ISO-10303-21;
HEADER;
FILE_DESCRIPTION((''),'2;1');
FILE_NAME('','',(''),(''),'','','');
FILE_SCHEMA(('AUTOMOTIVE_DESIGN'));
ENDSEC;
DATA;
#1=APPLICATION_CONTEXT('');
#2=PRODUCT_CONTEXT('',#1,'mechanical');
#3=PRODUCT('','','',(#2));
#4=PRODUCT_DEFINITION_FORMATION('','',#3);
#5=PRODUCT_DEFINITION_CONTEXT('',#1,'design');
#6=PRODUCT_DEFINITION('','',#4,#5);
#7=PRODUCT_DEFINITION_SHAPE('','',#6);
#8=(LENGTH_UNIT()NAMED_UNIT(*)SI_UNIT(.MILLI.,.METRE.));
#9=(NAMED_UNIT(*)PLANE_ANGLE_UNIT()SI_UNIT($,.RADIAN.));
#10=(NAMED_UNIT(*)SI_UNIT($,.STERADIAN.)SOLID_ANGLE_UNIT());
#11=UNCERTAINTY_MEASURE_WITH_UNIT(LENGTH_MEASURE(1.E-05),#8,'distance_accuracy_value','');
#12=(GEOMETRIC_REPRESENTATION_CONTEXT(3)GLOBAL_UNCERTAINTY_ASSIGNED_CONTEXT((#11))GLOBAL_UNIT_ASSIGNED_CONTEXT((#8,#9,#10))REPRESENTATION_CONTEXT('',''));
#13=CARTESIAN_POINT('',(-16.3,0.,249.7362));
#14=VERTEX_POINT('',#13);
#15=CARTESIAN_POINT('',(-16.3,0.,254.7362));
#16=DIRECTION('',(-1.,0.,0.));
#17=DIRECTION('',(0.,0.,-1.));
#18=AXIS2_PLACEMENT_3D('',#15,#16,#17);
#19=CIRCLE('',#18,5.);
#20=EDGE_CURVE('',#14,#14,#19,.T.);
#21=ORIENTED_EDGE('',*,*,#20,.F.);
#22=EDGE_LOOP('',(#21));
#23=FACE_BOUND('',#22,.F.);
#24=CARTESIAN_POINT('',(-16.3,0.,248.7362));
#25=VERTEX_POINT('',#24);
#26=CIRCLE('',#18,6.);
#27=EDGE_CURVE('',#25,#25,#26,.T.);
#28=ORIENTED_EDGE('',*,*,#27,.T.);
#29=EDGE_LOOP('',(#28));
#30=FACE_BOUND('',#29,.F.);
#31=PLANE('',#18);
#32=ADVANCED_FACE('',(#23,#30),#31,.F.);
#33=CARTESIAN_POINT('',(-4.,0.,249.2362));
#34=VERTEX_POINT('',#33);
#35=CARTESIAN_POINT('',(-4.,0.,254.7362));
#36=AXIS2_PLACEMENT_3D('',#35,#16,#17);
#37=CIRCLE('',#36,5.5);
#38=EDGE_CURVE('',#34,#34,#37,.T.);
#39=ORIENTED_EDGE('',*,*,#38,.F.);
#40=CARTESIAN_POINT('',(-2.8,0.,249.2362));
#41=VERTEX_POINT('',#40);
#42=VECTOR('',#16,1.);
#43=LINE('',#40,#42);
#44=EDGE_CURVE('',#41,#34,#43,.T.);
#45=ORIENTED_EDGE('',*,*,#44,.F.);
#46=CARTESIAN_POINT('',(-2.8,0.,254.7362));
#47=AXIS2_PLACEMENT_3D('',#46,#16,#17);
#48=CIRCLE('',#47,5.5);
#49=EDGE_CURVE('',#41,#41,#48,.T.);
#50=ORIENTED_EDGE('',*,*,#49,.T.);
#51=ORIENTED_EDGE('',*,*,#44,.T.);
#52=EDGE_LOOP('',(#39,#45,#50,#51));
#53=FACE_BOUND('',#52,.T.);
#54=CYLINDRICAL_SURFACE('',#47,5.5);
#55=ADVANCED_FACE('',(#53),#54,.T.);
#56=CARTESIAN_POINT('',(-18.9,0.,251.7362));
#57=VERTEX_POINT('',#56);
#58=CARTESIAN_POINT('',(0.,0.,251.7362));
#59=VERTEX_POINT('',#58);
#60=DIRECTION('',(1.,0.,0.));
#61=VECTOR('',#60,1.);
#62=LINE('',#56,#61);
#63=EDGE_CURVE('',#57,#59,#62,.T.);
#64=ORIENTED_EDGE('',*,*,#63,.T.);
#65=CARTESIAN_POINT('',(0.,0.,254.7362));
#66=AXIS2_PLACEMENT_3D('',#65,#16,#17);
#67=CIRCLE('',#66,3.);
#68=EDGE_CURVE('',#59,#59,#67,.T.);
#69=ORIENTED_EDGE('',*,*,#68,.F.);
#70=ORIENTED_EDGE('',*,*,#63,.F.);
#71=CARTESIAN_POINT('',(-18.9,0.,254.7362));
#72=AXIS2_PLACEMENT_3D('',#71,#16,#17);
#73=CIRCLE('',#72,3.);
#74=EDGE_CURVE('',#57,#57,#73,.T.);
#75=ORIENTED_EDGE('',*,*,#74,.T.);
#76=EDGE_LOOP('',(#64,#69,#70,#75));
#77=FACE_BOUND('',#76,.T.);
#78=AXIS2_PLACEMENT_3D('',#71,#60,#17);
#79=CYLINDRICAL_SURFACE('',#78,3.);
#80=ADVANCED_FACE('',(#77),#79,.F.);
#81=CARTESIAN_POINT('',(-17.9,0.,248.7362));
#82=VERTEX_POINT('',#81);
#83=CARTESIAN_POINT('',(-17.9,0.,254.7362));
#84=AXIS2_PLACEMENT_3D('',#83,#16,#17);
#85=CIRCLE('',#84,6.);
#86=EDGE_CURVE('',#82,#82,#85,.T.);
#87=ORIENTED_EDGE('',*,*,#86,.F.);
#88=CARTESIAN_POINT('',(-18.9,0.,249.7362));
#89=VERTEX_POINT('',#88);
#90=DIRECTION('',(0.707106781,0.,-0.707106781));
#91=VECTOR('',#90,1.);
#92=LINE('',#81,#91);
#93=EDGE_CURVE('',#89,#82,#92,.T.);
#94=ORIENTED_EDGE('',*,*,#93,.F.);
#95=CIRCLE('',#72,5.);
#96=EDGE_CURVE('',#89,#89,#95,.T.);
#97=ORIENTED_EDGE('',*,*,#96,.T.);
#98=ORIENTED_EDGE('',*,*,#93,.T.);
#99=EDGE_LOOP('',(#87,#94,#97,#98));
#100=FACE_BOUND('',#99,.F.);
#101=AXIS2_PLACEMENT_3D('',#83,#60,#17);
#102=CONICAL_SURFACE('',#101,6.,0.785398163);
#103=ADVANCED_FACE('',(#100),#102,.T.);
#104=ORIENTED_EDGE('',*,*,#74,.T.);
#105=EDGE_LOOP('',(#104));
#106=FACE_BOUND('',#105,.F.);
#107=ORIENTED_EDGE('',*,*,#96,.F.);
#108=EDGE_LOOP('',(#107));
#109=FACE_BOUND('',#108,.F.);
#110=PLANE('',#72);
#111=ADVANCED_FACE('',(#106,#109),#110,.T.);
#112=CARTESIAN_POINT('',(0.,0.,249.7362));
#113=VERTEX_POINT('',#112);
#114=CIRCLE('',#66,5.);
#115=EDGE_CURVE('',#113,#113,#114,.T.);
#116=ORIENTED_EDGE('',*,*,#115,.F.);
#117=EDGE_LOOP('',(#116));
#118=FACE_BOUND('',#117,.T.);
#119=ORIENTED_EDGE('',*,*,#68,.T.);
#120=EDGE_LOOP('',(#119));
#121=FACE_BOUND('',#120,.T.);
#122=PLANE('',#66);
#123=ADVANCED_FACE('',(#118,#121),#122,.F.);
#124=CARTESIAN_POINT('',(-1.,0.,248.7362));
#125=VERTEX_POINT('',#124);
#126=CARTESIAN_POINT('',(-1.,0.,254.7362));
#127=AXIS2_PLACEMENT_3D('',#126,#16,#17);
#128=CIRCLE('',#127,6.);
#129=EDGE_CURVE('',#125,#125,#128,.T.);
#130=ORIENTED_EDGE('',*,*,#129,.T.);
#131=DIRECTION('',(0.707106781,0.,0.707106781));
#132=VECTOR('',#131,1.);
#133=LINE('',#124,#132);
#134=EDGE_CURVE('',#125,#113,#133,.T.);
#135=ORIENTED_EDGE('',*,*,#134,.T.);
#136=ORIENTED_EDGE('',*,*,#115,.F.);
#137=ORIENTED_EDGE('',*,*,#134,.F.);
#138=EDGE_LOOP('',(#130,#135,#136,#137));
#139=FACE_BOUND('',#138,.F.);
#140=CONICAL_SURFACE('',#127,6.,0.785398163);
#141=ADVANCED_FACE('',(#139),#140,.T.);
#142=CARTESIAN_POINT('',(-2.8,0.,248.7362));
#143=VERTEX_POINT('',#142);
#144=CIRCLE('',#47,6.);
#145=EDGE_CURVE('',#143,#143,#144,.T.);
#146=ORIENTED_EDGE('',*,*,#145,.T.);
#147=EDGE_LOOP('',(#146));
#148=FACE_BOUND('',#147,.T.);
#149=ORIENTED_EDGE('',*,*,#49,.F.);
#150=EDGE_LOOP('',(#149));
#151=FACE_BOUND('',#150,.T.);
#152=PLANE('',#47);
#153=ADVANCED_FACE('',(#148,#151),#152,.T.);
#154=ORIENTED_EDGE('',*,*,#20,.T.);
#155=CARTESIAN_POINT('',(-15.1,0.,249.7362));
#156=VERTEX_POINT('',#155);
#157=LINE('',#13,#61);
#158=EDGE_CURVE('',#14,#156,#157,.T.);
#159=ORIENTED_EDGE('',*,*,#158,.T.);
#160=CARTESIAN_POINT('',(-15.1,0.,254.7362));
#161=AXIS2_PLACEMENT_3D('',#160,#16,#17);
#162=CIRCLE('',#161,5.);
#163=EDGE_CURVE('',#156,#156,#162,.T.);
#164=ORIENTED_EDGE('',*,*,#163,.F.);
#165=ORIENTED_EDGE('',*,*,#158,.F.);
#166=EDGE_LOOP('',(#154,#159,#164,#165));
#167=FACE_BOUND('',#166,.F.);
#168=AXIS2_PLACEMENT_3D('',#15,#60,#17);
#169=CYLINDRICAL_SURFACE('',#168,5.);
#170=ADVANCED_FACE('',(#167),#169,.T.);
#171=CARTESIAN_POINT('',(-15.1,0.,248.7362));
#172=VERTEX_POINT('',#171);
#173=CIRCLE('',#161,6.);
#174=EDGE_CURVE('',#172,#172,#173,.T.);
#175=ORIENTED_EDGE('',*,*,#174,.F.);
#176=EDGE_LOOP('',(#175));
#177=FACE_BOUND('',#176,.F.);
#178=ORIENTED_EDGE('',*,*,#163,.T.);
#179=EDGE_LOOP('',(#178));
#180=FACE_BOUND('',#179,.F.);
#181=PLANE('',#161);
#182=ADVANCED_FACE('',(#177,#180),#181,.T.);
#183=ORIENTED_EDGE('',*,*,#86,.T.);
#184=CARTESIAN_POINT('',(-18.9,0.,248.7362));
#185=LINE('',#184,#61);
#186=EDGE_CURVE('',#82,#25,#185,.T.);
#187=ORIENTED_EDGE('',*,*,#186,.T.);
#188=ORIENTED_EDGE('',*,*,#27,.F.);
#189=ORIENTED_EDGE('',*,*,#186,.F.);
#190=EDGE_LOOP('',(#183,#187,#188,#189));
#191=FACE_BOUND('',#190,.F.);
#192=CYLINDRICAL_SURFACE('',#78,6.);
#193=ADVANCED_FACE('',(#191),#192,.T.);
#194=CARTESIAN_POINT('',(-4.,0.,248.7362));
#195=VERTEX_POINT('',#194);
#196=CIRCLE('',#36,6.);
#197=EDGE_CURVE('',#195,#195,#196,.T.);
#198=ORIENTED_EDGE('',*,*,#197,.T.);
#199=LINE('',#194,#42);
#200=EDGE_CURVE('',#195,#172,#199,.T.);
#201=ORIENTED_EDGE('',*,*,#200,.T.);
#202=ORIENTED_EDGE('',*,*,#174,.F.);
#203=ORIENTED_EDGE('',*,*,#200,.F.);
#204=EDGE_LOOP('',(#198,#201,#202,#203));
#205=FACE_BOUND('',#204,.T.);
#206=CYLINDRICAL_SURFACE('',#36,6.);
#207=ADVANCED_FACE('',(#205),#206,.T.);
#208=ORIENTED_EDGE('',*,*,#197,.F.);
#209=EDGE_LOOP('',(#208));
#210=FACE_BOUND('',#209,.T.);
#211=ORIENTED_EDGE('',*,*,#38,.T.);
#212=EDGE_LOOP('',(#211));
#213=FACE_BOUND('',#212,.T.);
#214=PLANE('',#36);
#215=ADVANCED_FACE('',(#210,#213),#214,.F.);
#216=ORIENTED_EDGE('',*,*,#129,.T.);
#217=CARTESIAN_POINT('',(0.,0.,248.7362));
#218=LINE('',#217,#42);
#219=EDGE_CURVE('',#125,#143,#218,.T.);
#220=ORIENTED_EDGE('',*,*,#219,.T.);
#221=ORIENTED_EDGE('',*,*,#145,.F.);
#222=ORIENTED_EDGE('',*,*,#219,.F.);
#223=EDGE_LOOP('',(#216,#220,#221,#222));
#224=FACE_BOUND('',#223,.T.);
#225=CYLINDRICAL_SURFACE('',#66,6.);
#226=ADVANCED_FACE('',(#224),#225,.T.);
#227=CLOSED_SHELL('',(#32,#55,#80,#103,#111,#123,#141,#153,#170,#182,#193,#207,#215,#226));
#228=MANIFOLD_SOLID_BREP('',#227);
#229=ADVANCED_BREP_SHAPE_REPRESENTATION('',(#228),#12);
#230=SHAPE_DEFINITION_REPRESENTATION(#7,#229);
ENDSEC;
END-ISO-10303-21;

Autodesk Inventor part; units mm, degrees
ref_plane "YZ Plane" through (0, 0, 0) normal (1, 0, 0) x (0, 1, 0)
ref_plane "XZ Plane" through (0, 0, 0) normal (0, 1, 0) x (-1, 0, 0)
ref_plane "XY Plane" through (0, 0, 0) normal (0, 0, 1) x (1, 0, 0)
sketch "Sketch1" plane through (0, 0, 0) normal (0, 1, 0) x (-1, 0, 0)
  line L0 (0, 254.7362) -> (18.9, 254.7362)
  line L1 (0, 254.7362) -> (18.9, 254.7362) construction
  line L2 (18.9, 254.7362) -> (18.9, 248.7362)
  line L3 (18.9, 248.7362) -> (16.3, 248.7362)
  line L4 (16.3, 248.7362) -> (16.3, 249.7362)
  line L5 (16.3, 249.7362) -> (15.1, 249.7362)
  line L6 (15.1, 249.7362) -> (15.1, 248.7362)
  line L7 (0, 254.7362) -> (0, 248.7362)
  line L8 (0, 248.7362) -> (2.8, 248.7362)
  line L9 (2.8, 248.7362) -> (2.8, 249.2362)
  line L10 (2.8, 249.2362) -> (4, 249.2362)
  line L11 (4, 249.2362) -> (4, 248.7362)
  line L12 (4, 248.7362) -> (15.1, 248.7362)
  line L13 (18.9, 251.7362) -> (0, 251.7362)
  point P0 (0, 0)
  dimension "d0" = 18.9
  dimension "d1" = 0
  dimension "d2" = 6
  dimension "d3" = 2.6
  dimension "d4" = 1
  dimension "d5" = 1.2
  dimension "d6" = 2.8
  dimension "d7" = 1.2
  dimension "d8" = 3
revolve "Revolution1" add sketch "Sketch1" angle 360 about axis through (0, 0, 254.7362) along (-1, 0, 0) contours L13 L2 L3 L4 L5 L6 L12 L11 L10 L9 L8 L7
chamfer "Chamfer1" distance 1 angle 45 2 edges at (0, 0, 260.7362) (-18.9, 0, 260.7362)
ref_plane "Work Plane1" through (-9.45, 0, 254.7362) normal (-1, 0, 0) x (0, 0, 1)
ref_plane "Work Plane2" through (-27.2784, -18.1924, 229.4682) normal (0, -0.3925, 0.9198) x (1, 0, 0)
ref_plane "Work Plane3" through (-73.6784, -43.0389, 250.2867) normal (0, -0.9198, -0.3925) x (1, 0, 0)
properties part number "00_IGUS_Drylin_RJ4JP-01-06"
